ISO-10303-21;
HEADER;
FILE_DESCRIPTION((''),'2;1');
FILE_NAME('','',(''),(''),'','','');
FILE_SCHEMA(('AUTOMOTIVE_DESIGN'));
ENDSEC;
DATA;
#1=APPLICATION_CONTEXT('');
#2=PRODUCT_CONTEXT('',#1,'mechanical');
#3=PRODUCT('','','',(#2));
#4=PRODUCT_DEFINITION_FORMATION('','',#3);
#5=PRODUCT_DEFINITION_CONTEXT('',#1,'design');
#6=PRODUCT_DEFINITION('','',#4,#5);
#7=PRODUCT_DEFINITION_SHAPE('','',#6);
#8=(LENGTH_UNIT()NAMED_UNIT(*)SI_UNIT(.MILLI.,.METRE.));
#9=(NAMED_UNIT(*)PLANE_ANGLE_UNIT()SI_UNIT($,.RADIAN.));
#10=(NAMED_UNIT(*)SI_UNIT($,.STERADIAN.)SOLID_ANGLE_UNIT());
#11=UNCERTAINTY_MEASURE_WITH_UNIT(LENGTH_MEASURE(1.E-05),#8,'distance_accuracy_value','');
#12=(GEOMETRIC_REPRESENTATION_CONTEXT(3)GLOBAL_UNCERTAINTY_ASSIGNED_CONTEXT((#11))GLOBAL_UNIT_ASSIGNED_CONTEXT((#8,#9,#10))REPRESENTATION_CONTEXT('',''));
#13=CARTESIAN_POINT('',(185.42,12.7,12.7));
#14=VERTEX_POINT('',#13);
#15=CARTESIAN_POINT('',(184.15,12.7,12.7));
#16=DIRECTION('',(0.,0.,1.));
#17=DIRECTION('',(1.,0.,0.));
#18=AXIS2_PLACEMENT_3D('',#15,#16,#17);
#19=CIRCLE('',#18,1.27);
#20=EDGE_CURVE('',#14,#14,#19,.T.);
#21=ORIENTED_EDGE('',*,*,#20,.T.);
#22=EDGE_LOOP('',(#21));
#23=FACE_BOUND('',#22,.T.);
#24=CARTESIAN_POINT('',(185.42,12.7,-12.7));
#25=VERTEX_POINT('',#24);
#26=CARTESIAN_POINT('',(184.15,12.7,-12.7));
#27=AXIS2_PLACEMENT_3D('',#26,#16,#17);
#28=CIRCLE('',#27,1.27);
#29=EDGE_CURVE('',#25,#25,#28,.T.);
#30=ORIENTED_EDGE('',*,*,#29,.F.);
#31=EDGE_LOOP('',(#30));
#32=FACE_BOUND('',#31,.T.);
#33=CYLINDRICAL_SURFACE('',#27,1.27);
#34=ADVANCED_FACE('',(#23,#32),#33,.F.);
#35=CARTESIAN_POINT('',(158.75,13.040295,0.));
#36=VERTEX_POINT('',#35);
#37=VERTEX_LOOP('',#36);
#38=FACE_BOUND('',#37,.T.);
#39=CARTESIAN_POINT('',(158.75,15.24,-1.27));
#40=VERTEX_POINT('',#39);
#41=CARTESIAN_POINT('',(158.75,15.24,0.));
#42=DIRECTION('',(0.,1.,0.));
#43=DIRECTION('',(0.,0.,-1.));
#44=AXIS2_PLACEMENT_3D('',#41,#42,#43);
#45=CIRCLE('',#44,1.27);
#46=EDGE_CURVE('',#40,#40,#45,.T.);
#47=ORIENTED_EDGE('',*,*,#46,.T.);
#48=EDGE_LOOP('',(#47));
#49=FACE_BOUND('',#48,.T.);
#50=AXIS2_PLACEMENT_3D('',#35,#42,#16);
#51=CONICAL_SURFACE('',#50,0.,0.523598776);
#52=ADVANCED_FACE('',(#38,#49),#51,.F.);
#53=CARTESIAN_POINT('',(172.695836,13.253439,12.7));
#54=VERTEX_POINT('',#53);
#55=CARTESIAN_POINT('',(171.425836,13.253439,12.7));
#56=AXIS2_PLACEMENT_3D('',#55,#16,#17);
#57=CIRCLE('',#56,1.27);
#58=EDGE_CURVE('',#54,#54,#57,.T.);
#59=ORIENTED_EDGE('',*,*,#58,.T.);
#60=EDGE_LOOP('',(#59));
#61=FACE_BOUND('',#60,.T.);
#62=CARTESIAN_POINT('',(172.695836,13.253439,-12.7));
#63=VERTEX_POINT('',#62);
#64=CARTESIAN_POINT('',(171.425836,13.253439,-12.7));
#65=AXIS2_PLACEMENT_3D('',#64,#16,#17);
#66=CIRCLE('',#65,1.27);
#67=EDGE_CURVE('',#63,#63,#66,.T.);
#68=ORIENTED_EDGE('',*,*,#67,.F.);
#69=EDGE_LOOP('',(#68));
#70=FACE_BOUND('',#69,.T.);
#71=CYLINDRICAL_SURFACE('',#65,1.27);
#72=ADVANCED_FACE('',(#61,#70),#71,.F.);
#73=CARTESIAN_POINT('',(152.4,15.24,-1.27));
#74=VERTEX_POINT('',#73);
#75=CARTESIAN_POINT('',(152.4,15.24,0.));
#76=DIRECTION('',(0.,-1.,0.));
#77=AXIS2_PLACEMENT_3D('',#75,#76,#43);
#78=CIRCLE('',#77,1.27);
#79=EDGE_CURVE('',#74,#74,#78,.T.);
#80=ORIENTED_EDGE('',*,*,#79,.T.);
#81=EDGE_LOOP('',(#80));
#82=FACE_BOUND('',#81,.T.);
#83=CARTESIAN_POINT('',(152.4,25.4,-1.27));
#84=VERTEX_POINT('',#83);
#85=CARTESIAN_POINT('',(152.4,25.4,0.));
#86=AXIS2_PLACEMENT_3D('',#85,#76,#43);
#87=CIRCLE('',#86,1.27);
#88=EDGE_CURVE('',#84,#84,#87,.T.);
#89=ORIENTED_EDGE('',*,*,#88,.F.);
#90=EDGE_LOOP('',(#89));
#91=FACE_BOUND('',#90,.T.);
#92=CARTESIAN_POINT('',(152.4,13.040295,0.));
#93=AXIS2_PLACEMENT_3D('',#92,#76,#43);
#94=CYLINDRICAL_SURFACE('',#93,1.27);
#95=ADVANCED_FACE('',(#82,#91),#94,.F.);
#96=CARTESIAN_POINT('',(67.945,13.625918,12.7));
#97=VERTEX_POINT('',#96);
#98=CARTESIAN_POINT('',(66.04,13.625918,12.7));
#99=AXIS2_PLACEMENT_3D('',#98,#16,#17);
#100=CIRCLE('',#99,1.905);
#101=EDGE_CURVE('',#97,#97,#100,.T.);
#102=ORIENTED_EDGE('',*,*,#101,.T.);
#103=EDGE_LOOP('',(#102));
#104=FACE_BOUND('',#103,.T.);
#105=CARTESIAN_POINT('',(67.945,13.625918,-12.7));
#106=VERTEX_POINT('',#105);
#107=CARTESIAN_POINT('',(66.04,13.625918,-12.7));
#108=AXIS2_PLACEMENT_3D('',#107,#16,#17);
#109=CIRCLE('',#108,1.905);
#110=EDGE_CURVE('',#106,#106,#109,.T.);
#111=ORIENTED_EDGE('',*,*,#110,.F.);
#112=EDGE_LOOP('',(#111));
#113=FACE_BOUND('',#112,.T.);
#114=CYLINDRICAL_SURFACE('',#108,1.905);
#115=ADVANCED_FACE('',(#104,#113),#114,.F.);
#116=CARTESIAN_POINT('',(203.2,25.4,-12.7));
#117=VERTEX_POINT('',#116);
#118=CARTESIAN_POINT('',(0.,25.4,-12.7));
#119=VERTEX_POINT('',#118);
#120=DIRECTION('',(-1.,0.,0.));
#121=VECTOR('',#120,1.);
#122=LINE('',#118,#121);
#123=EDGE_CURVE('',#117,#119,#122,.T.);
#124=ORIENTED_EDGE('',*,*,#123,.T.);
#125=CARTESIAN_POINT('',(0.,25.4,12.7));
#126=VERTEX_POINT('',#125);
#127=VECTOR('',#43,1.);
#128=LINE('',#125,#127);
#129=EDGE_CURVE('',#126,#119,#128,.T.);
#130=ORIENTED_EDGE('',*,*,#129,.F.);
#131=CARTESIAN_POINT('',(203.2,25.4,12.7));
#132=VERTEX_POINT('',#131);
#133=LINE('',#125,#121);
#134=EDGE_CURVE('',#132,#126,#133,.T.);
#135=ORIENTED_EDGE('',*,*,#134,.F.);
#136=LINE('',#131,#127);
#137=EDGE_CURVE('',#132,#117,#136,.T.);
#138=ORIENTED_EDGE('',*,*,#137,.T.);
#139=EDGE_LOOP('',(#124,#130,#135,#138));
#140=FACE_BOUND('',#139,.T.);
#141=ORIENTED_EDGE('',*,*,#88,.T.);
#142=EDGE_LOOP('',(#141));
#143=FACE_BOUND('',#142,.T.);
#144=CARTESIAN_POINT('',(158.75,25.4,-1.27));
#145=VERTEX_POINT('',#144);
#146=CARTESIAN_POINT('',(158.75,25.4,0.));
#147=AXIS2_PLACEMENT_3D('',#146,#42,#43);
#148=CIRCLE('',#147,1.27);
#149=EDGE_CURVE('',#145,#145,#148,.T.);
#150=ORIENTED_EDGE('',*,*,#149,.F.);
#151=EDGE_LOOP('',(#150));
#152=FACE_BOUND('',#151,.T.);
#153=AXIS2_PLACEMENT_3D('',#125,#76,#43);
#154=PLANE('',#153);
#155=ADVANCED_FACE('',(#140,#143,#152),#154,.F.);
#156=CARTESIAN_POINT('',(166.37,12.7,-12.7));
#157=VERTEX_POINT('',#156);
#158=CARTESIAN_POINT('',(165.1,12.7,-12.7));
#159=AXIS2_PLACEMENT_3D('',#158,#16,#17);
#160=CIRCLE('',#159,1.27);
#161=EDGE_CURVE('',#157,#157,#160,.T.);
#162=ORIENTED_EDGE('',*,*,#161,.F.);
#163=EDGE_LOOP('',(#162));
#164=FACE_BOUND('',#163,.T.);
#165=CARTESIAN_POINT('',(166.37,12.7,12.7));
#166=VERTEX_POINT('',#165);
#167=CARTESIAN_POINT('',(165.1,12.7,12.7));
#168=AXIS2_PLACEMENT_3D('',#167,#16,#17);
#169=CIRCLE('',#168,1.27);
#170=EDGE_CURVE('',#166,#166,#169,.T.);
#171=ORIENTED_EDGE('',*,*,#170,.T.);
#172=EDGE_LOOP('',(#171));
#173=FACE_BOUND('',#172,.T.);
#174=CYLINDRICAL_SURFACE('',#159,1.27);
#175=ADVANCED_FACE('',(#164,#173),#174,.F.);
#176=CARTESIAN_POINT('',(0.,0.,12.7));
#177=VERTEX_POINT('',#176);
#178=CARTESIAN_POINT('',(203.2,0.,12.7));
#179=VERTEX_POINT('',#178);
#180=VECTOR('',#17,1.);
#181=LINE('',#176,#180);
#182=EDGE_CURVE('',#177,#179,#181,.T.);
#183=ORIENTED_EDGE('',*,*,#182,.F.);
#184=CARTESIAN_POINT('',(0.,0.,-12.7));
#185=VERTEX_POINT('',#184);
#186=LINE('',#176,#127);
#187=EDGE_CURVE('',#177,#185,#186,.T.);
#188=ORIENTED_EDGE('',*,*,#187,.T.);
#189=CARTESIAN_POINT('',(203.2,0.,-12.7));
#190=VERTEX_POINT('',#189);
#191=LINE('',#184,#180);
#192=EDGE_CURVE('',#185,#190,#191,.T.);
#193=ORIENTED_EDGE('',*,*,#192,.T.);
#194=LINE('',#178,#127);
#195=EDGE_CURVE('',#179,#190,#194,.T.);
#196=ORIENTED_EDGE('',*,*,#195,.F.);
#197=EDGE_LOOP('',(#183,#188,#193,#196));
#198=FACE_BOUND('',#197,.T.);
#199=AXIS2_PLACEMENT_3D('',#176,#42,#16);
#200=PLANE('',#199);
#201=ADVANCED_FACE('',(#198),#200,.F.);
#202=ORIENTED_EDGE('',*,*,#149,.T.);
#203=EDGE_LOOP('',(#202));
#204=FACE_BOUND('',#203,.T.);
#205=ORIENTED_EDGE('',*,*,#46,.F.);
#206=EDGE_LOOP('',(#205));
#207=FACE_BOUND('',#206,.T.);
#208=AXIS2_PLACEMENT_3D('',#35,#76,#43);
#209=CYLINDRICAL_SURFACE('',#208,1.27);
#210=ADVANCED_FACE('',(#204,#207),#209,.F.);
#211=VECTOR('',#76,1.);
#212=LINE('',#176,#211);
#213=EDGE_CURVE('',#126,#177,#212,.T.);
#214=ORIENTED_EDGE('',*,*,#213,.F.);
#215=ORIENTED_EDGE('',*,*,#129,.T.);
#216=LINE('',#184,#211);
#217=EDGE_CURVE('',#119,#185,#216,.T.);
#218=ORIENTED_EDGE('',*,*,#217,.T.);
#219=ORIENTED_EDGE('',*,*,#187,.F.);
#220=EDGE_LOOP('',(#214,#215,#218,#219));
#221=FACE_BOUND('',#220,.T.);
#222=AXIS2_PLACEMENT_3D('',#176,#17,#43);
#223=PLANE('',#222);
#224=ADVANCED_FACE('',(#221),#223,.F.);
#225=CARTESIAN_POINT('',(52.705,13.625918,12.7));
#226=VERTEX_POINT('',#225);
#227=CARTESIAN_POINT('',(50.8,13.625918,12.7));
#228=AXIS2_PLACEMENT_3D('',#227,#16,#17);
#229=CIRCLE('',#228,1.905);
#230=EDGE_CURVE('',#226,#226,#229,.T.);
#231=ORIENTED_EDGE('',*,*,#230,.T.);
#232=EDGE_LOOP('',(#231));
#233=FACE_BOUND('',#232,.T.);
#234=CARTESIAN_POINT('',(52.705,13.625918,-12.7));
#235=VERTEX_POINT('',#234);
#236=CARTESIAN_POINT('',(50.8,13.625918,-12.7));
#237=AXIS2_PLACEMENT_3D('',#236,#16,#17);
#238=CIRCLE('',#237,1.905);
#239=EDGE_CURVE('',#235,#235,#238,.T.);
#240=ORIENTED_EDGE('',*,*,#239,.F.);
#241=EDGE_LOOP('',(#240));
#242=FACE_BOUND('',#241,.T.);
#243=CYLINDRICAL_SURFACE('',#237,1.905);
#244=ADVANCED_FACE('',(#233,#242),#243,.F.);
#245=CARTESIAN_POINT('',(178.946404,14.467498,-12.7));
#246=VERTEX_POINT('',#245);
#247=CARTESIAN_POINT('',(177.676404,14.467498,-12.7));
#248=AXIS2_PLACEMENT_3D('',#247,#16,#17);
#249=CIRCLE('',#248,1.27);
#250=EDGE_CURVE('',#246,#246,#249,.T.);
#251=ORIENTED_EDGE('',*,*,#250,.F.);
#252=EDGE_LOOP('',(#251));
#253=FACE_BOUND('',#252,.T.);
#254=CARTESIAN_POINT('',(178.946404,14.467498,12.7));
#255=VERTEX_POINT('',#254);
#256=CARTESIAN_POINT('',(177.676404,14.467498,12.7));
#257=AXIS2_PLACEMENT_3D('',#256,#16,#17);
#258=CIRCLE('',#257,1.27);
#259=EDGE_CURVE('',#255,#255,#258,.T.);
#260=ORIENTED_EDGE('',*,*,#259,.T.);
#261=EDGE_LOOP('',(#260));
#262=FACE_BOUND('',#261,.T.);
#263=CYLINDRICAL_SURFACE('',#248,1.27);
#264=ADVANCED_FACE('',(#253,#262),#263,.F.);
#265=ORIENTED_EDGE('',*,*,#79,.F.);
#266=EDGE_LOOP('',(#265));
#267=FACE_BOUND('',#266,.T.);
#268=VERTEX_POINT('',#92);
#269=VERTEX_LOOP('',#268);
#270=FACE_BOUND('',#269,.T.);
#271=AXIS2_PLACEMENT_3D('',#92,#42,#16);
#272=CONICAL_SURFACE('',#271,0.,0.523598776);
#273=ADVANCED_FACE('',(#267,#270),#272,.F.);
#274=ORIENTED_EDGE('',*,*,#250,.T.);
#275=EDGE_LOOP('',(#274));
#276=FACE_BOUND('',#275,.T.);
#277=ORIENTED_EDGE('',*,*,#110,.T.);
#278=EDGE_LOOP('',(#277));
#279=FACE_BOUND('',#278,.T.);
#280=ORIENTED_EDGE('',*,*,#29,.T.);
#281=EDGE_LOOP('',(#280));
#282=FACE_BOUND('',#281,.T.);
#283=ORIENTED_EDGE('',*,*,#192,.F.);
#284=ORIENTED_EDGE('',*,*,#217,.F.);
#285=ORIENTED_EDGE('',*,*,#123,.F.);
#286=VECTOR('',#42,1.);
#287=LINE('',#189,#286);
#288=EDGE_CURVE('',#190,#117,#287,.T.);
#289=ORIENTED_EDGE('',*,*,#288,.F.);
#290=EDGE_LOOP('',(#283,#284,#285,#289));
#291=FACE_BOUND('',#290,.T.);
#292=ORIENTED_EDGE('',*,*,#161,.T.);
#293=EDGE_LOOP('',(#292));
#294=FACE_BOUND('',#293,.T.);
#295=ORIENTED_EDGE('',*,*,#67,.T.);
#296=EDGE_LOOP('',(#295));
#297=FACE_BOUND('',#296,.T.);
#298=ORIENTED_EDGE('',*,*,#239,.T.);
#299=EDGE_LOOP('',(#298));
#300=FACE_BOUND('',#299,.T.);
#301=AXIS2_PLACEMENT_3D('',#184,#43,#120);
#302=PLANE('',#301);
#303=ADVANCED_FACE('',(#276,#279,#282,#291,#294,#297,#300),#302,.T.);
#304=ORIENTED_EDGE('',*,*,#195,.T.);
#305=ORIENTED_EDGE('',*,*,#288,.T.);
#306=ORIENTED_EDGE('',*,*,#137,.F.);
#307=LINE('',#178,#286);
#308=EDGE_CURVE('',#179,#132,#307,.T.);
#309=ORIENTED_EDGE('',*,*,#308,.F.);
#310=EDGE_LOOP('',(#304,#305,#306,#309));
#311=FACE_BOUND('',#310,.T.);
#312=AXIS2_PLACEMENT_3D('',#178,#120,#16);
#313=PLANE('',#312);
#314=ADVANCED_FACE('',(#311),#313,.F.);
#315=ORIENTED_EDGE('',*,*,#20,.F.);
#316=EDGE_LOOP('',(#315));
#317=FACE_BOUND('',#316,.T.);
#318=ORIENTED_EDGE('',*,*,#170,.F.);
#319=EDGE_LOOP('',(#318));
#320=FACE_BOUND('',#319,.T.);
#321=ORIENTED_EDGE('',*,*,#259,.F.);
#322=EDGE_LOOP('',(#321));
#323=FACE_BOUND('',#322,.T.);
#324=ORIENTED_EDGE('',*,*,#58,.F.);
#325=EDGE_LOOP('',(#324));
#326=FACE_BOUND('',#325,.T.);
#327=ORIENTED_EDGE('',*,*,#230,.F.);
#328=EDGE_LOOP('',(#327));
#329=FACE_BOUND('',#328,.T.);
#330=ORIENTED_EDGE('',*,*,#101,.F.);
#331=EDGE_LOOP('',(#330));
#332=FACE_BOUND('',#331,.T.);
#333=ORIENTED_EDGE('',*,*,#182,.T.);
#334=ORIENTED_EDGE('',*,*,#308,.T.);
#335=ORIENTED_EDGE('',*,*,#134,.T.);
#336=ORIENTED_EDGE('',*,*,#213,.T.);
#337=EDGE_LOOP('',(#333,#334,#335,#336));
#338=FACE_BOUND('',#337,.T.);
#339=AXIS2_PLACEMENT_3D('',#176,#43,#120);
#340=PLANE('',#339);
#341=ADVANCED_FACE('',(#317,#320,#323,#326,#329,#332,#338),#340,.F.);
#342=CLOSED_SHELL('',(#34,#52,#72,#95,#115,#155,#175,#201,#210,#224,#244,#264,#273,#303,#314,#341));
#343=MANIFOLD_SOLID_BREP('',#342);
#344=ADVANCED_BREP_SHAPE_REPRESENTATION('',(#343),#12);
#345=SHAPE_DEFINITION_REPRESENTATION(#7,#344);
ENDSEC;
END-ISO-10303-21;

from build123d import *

# Parameters (mm, degrees)
SKETCH2_W           = 203.2
SKETCH2_H           = 25.4
BOSS_EXTRUDE1_DEPTH = 12.7
SKETCH13_R          = 1.27
CUT_EXTRUDE2_DEPTH  = 207.350575478
SKETCH16_R          = 1.905
CUT_EXTRUDE4_DEPTH  = 207.350575478


with BuildPart() as part:
    # Sketch2 → Boss-Extrude1 (new, symmetric)
    with BuildSketch(Plane.XY):
        with Locations((101.6, 12.7)):
            Rectangle(SKETCH2_W, SKETCH2_H)
    extrude(amount=BOSS_EXTRUDE1_DEPTH, both=True)

    # Sketch13 → Cut-Extrude2 (cut, through all)
    with BuildSketch(Plane.XY.offset(12.7)):
        with Locations((165.1, 12.7)):
            Circle(SKETCH13_R)
        with Locations((184.15, 12.7)):
            Circle(SKETCH13_R)
        with Locations((171.425836333, 13.253438966)):
            Circle(SKETCH13_R)
        with Locations((177.676404473, 14.467498382)):
            Circle(SKETCH13_R)
    extrude(amount=-CUT_EXTRUDE2_DEPTH, mode=Mode.SUBTRACT)

    # Sketch18 → Cut-Revolve2 (revolve, cut)
    with BuildSketch(Plane.XY, mode=Mode.PRIVATE) as cut_revolve2_sk:
        Polygon((152.4, 25.4), (153.67, 25.4), (153.67, 15.24), (152.4, 13.040295474), align=None)
    cut_revolve2 = revolve(cut_revolve2_sk.sketch.rotate(Axis((152.4, 13.040295474, 0), (0, 1, 0)), 90), axis=Axis((152.4, 13.040295474, 0), (0, 1, 0)), mode=Mode.SUBTRACT)

    # Mirror2: Cut-Revolve2 across plane
    add(cut_revolve2.mirror(Plane(origin=(155.575, 0, 0), x_dir=(0, 0, 1), z_dir=(1, 0, 0))), mode=Mode.SUBTRACT)

    # Sketch16 → Cut-Extrude4 (cut, through all)
    with BuildSketch(Plane.XY.offset(12.7)):
        with Locations((50.8, 13.625917973)):
            Circle(SKETCH16_R)
        with Locations((66.04, 13.625917973)):
            Circle(SKETCH16_R)
    extrude(amount=-CUT_EXTRUDE4_DEPTH, mode=Mode.SUBTRACT)


solid = part.part
